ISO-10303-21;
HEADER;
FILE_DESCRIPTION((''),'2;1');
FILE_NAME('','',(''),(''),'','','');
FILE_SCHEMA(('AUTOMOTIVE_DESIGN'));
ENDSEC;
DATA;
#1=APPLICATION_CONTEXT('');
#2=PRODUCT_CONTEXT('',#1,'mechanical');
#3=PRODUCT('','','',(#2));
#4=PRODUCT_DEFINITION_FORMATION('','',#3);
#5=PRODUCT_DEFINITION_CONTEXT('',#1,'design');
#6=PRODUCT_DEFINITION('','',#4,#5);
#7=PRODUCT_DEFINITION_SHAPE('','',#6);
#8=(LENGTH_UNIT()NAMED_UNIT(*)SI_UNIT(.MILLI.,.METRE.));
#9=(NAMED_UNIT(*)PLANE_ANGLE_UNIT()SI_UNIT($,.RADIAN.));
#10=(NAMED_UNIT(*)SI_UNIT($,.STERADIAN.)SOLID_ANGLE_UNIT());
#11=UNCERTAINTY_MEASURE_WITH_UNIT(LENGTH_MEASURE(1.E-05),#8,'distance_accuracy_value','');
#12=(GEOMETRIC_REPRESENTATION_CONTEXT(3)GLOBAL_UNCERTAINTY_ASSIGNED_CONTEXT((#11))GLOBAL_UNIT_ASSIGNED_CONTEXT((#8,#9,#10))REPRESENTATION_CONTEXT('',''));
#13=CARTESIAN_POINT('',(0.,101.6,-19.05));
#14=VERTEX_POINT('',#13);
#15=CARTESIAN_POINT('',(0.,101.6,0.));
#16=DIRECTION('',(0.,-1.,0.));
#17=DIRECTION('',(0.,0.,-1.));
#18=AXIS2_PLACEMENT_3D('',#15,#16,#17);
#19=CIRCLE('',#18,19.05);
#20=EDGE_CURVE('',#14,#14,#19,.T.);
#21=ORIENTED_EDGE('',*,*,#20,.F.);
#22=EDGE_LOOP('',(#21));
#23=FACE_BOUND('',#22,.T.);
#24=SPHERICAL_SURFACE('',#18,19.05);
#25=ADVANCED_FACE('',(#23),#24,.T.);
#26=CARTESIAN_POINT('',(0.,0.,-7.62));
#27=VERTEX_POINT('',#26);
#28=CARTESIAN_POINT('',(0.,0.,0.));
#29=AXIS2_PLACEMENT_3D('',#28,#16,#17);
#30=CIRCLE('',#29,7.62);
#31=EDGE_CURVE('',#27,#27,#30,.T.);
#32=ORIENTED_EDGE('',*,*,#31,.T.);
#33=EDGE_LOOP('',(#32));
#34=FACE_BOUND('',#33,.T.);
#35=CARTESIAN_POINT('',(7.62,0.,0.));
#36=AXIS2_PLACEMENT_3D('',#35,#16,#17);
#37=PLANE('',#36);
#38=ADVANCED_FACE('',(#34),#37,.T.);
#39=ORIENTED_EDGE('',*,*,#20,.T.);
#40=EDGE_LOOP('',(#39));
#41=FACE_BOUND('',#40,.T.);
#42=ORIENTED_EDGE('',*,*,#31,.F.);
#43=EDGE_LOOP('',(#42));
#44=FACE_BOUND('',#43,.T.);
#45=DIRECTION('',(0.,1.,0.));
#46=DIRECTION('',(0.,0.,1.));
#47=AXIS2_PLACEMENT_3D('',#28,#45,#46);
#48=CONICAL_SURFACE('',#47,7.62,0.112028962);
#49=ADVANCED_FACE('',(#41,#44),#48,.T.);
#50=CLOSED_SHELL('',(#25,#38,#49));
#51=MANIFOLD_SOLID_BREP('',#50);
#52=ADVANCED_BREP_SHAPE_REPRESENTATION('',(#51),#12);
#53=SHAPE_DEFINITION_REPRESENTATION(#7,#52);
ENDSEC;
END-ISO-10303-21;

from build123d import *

# Parameters (mm, degrees)
DOME1_FACE_RADIUS = 19.05
DOME1_HEIGHT      = 19.05


with BuildPart() as part:
    # Sketch1 → Revolve1 (revolve)
    with BuildSketch(Plane.XY, mode=Mode.PRIVATE) as revolve1_sk:
        Polygon((0, 0), (0, 101.6), (19.05, 101.6), (7.62, 0), align=None)
    revolve(revolve1_sk.sketch.rotate(Axis((0, 0, 0), (0, 1, 0)), 90), axis=Axis((0, 0, 0), (0, 1, 0)))

    # Dome1: a dome of height H over a round flat face of radius A is a cap of a sphere of radius (A * A + H * H) / (2 * H)
    dome1_r = (DOME1_FACE_RADIUS * DOME1_FACE_RADIUS + DOME1_HEIGHT * DOME1_HEIGHT) / (2 * DOME1_HEIGHT)
    dome1_base = Plane((0, 101.6, 0), z_dir=(0, 1, 0))
    with Locations(dome1_base.offset(DOME1_HEIGHT - dome1_r)):
        dome1_ball = Sphere(dome1_r, mode=Mode.PRIVATE)
    add(split(dome1_ball, bisect_by=dome1_base, keep=Keep.TOP, mode=Mode.PRIVATE))


solid = part.part
